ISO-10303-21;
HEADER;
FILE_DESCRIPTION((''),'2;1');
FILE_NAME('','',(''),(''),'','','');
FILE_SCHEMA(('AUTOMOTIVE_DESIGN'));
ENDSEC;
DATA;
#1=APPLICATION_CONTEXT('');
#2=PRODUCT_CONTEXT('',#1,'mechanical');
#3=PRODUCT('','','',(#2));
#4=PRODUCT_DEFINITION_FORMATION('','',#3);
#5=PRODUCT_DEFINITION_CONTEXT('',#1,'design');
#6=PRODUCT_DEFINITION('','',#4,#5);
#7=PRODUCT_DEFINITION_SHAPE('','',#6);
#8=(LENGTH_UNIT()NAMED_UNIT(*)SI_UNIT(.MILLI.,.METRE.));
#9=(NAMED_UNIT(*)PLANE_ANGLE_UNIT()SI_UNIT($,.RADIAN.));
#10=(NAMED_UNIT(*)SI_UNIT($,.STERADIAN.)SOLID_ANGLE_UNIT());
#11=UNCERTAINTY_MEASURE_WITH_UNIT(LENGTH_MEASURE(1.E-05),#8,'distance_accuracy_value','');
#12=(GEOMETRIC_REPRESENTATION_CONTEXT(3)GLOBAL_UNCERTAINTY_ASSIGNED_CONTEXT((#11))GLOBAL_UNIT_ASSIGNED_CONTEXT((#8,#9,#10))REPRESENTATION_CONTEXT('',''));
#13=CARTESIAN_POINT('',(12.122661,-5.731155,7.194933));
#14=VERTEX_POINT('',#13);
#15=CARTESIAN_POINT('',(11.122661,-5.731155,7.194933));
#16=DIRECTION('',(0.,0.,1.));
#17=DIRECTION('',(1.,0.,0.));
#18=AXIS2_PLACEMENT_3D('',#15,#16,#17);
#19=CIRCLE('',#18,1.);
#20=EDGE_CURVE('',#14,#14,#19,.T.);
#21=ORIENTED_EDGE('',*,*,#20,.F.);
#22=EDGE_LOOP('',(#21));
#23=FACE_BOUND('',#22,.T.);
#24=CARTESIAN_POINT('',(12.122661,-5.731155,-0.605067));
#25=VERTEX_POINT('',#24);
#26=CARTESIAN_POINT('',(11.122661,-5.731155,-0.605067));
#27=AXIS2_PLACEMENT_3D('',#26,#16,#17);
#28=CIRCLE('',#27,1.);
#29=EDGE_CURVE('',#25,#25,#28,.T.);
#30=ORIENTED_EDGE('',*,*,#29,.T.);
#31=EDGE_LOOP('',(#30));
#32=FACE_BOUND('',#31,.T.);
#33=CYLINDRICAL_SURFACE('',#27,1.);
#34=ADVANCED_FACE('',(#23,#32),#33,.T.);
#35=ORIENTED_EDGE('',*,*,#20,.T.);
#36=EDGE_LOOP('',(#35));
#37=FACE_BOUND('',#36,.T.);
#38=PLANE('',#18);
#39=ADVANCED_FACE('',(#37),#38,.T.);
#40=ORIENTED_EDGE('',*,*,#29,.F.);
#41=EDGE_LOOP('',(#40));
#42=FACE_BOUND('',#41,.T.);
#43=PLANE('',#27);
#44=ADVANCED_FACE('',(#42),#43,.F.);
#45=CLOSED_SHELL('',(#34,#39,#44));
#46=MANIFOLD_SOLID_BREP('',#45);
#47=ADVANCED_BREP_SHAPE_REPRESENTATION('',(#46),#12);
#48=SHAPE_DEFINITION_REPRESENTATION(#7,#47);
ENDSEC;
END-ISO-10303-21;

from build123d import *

# Parameters (mm, degrees)
SECTION_AIGUILLE_R = 1
AIGUILLE_DEPTH     = 7.8


with BuildPart() as part:
    # section-aiguille → aiguille (new body)
    with BuildSketch(Plane.XY.offset(7.194932501)):
        with Locations((11.122661116, -5.73115457)):
            Circle(SECTION_AIGUILLE_R)
    extrude(amount=-AIGUILLE_DEPTH)


solid = part.part
